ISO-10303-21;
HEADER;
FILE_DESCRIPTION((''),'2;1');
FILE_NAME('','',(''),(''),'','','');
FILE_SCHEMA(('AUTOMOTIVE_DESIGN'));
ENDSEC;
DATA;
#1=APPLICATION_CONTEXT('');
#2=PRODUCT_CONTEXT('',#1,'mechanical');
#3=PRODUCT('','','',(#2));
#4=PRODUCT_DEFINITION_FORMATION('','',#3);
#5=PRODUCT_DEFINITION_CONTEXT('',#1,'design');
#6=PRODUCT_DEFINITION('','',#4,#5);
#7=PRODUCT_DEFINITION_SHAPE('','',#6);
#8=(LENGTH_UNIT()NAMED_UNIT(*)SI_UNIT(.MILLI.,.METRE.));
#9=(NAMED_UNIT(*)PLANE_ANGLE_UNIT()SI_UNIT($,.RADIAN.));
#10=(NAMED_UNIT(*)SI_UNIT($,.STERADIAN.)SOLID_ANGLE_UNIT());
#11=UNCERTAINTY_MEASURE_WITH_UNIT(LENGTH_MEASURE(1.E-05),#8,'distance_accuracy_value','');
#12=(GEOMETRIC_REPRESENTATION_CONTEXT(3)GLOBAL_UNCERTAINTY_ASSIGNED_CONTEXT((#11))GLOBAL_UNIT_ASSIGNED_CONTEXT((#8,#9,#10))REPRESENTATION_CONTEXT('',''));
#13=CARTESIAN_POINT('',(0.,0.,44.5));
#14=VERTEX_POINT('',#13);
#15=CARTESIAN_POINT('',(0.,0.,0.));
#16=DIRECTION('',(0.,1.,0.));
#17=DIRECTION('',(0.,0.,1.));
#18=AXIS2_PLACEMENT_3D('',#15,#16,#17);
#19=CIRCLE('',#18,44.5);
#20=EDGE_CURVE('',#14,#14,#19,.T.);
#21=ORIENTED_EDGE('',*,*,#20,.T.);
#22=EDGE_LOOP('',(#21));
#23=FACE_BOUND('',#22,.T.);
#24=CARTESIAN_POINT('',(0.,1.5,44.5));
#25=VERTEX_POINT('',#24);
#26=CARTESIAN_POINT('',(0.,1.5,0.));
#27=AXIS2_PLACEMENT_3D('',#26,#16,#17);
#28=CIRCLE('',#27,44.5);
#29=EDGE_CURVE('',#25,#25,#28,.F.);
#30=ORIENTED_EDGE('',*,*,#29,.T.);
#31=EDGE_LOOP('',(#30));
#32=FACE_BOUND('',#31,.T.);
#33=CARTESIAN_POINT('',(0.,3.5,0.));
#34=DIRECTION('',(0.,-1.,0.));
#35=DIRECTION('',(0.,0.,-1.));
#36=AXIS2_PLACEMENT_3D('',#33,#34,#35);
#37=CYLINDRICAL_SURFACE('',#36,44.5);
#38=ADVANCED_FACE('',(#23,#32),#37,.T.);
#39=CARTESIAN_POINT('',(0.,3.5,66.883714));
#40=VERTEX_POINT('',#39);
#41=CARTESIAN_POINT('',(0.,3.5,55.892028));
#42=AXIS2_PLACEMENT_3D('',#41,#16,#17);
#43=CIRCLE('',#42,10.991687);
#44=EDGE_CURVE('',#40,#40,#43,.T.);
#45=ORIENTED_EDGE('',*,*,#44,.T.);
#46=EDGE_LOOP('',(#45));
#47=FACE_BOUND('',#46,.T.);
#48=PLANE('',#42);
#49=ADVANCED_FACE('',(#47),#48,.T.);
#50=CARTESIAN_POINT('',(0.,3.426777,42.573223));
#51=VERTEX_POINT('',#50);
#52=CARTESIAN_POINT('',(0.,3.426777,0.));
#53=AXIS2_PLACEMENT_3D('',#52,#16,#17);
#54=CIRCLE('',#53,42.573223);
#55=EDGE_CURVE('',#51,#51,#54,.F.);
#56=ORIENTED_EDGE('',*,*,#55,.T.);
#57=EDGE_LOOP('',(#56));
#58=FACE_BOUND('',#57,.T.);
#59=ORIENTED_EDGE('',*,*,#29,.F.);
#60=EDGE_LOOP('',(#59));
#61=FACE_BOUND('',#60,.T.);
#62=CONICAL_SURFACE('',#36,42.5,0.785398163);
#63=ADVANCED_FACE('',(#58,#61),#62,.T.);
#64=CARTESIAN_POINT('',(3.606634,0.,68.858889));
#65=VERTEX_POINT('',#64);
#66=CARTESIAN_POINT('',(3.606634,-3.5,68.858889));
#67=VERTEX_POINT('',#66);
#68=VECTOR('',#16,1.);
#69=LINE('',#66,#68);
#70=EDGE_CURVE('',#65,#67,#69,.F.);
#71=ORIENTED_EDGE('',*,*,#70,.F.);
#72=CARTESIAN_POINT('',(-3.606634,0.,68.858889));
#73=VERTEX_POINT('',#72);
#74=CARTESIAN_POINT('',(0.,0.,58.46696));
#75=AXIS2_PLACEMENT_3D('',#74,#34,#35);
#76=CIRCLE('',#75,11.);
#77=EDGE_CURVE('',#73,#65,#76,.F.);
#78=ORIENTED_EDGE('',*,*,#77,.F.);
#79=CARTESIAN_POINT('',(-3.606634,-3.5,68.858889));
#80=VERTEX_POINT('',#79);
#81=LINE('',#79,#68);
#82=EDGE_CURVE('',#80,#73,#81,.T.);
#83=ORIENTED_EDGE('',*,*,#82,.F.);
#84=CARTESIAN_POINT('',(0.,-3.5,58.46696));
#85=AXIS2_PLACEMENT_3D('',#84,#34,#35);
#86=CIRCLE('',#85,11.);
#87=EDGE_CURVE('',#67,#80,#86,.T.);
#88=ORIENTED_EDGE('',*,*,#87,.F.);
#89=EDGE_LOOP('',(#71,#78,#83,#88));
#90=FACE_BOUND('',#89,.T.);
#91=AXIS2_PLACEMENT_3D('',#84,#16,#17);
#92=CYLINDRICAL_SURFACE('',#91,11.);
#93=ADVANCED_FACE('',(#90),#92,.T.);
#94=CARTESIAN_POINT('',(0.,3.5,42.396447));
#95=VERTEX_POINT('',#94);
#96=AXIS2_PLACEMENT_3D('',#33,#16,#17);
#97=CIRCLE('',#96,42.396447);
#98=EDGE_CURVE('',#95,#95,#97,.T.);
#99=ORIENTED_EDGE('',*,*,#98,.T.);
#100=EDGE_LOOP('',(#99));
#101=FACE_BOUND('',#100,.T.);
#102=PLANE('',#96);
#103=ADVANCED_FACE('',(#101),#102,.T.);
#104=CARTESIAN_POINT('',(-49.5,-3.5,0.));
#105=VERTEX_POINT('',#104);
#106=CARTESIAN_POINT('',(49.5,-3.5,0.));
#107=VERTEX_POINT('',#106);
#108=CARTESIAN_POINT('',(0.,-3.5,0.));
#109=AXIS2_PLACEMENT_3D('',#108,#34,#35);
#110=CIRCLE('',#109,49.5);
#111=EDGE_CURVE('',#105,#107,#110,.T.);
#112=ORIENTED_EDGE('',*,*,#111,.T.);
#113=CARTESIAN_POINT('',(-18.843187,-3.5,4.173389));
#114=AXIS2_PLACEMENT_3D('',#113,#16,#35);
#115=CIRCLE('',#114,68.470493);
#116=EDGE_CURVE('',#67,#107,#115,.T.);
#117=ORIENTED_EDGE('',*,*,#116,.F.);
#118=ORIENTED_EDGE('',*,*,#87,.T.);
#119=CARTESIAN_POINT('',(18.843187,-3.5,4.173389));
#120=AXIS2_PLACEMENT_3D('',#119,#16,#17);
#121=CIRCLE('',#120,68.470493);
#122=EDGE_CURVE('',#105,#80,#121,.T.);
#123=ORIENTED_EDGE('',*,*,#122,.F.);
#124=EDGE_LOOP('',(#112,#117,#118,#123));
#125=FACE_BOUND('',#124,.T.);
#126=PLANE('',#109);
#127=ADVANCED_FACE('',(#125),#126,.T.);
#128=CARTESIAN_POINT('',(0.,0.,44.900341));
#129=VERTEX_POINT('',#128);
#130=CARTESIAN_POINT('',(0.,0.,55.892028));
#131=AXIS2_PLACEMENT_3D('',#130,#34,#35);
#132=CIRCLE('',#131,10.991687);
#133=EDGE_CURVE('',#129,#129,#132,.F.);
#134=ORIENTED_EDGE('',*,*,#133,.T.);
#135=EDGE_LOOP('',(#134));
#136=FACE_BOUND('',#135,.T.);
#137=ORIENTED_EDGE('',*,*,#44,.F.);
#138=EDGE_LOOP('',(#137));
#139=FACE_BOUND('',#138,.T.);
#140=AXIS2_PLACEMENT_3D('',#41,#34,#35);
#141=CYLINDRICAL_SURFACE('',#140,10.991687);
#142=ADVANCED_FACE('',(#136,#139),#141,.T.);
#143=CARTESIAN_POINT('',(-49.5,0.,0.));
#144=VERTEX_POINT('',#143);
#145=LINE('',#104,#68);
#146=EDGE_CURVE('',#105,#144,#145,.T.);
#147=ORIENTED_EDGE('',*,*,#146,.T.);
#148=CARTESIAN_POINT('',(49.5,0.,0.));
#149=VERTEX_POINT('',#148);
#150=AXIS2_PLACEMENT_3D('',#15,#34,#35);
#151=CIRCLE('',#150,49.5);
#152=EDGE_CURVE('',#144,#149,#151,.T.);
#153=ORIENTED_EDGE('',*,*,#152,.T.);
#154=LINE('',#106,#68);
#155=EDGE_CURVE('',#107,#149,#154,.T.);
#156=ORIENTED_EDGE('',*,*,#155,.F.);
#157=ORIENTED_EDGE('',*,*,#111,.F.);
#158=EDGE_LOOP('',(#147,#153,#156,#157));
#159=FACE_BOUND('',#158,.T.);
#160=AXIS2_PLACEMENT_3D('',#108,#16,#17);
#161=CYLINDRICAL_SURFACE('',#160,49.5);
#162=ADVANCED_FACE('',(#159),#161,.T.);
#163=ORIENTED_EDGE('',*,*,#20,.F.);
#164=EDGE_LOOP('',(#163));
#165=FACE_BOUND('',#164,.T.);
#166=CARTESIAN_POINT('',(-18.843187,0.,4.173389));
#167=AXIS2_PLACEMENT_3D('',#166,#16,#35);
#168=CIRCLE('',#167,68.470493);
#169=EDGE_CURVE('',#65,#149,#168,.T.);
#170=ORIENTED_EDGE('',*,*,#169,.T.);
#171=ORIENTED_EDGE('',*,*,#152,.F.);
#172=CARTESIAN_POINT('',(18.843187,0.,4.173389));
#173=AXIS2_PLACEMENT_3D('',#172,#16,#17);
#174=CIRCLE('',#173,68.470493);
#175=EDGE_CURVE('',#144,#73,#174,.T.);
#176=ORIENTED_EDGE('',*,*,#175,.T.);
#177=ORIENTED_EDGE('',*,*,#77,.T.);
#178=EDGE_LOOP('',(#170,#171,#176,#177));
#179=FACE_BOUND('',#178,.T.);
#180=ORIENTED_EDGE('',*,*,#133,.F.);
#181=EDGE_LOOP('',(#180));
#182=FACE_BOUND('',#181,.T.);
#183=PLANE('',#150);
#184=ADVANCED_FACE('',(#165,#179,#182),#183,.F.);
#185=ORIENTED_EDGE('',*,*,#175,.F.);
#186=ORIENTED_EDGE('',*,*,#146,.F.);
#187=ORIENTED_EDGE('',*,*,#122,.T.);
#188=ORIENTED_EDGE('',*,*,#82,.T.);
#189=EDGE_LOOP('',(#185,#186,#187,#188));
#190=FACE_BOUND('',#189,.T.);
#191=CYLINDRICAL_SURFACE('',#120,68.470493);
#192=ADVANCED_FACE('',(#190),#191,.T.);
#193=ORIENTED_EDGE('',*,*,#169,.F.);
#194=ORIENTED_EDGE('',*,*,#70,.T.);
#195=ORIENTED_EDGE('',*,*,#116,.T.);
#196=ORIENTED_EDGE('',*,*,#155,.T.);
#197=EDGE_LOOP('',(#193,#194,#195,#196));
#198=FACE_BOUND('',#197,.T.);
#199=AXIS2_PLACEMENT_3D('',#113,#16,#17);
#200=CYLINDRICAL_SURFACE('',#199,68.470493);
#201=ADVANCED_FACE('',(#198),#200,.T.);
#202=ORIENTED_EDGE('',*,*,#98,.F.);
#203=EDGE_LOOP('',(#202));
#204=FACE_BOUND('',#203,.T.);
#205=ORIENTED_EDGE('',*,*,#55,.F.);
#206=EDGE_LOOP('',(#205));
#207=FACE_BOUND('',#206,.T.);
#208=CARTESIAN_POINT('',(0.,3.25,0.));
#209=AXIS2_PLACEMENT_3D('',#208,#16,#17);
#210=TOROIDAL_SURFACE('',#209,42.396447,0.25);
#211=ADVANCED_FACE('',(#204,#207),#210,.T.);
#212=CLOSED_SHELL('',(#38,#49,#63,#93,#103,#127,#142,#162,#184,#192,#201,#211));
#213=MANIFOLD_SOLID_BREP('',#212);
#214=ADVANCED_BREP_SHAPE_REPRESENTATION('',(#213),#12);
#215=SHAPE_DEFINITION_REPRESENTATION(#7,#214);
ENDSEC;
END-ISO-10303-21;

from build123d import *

# Parameters (mm, degrees)
SKETCH1_R           = 44.5
BOSS_EXTRUDE1_DEPTH = 3.5
CHAMFER1_SIZE       = 2
SKETCH2_R           = 49.5
BOSS_EXTRUDE2_DEPTH = 3.5
BOSS_EXTRUDE3_DEPTH = 3.5
SKETCH7_R           = 10.991686932
BOSS_EXTRUDE4_DEPTH = 3.5
FILLET1_R           = 11
FILLET2_R           = 0.25


with BuildPart() as part:
    # Sketch1 → Boss-Extrude1 (new body)
    with BuildSketch(Plane(origin=(0, 0, 0), x_dir=(1, 0, 0), z_dir=(0, 1, 0))):
        Circle(SKETCH1_R)
    extrude(amount=BOSS_EXTRUDE1_DEPTH)

    # Chamfer1
    chamfer1_edges = [part.edges().sort_by_distance(p)[0] for p in [
        (-44.5, 3.5, 0),
    ]]
    chamfer(chamfer1_edges, length=CHAMFER1_SIZE)

    # Sketch2 → Boss-Extrude2 (add)
    with BuildSketch(Plane.XZ):
        Circle(SKETCH2_R)
    extrude(amount=BOSS_EXTRUDE2_DEPTH)

    # Sketch3 → Boss-Extrude3 (add)
    with BuildSketch(Plane(origin=(0, 0, 0), x_dir=(1, 0, 0), z_dir=(0, 1, 0))):
        with BuildLine():
            ThreePointArc((49.5, 0), (37.061785537, -43.706191201), (0, -70))
            ThreePointArc((0, -70), (-37.061785537, -43.706191201), (-49.5, 0))
            ThreePointArc((-49.5, 0), (0, -49.5), (49.5, 0))
        make_face()
    extrude(amount=-BOSS_EXTRUDE3_DEPTH)

    # Sketch7 → Boss-Extrude4 (add)
    with BuildSketch(Plane(origin=(0, 0, 0), x_dir=(1, 0, 0), z_dir=(0, 1, 0))):
        with Locations((0, -55.892027532)):
            Circle(SKETCH7_R)
    extrude(amount=BOSS_EXTRUDE4_DEPTH)

    # Fillet1
    fillet1_edges = [part.edges().sort_by_distance(p)[0] for p in [
        (0, -1.75, 70),
    ]]
    fillet(fillet1_edges, radius=FILLET1_R)

    # Fillet2
    fillet2_edges = [part.edges().sort_by_distance(p)[0] for p in [
        (-42.5, 3.5, 0),
    ]]
    fillet(fillet2_edges, radius=FILLET2_R)


solid = part.part
